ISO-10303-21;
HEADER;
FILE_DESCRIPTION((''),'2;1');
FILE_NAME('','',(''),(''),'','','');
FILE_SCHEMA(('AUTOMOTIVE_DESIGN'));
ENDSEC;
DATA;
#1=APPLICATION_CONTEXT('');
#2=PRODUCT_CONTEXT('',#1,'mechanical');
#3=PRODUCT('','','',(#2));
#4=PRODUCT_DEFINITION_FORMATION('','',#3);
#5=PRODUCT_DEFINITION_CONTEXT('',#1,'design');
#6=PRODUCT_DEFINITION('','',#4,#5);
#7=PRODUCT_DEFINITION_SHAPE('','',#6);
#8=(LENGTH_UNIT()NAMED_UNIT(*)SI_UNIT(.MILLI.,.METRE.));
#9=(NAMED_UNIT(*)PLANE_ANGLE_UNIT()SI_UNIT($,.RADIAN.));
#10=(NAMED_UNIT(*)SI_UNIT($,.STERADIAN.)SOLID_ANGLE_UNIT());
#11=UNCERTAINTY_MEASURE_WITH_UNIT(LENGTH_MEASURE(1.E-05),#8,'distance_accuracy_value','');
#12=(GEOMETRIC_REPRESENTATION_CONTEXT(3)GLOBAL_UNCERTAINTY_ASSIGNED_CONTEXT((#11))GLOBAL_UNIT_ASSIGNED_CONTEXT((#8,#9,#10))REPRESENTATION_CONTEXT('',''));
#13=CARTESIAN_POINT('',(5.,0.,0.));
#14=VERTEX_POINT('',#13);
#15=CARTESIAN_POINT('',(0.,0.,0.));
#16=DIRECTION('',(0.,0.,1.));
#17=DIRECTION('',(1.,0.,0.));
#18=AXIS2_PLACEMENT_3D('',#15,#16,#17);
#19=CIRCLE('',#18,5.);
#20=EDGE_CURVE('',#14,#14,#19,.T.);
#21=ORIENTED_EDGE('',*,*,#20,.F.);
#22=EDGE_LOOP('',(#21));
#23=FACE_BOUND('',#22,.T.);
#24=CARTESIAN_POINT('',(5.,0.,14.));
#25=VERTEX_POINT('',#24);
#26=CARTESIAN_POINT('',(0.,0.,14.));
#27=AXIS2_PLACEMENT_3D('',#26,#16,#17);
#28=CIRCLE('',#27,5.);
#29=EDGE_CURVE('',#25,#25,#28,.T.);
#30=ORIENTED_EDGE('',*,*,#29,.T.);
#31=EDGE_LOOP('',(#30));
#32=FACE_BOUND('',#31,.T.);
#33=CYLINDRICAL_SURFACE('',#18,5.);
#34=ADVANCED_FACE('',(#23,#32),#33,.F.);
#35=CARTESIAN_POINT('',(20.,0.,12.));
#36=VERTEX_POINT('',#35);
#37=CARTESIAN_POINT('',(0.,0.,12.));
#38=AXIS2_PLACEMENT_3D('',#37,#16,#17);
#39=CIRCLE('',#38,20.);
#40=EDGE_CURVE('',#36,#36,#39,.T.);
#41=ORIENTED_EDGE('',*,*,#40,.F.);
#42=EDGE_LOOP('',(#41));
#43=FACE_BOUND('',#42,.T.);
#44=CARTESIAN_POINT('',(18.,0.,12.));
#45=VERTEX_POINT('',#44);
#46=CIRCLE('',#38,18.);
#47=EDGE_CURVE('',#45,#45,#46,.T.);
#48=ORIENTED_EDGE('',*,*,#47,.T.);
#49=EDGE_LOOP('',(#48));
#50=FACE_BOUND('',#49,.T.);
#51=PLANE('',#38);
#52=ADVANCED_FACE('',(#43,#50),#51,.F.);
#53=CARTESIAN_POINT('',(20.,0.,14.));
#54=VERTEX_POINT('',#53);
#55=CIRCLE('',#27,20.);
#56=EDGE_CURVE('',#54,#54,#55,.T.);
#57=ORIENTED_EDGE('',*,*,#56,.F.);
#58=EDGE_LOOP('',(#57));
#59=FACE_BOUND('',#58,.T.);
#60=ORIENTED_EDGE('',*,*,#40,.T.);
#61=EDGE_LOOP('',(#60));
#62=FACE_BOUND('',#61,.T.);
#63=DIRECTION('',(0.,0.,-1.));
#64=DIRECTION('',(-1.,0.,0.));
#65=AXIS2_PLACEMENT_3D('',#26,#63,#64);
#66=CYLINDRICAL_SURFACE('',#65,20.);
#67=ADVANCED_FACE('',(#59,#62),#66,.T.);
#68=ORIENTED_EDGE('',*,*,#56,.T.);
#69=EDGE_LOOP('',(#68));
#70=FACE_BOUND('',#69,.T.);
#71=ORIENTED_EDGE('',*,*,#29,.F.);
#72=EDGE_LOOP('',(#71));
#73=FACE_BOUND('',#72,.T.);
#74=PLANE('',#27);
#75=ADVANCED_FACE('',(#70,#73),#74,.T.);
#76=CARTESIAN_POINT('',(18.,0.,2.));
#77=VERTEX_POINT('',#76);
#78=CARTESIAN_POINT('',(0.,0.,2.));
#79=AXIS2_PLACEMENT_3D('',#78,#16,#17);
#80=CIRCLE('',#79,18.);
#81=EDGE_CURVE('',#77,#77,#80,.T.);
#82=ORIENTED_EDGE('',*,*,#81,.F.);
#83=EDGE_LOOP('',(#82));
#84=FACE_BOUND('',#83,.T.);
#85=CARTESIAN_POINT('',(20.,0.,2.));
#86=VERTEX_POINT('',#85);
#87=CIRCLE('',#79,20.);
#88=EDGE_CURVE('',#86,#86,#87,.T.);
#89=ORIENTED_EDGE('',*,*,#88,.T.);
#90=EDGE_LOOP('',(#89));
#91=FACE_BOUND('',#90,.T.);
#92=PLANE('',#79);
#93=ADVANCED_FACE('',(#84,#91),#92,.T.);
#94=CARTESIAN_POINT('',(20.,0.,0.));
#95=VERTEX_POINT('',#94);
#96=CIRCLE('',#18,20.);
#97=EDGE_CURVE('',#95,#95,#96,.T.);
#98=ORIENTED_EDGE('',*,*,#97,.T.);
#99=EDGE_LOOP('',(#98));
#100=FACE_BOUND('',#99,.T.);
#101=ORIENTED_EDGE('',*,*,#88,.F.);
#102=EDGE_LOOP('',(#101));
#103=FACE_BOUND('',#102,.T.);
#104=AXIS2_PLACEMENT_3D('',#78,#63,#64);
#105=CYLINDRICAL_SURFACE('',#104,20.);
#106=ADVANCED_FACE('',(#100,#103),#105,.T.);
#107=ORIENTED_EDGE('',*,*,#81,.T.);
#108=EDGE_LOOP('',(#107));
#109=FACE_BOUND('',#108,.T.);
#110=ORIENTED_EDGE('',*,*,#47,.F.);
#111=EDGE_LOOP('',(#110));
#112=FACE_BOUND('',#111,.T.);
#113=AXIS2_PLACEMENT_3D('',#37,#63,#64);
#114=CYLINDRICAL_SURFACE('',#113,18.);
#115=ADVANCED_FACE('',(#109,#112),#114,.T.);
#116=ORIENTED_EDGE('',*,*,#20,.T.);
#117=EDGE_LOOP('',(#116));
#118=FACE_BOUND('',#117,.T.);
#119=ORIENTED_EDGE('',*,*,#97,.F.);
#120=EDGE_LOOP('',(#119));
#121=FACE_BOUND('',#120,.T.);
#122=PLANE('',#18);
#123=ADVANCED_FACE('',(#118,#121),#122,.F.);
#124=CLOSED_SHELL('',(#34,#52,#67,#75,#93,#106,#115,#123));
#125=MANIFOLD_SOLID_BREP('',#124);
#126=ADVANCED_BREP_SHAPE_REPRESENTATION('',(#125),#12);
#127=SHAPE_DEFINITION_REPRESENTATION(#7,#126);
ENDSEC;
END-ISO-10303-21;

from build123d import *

# Parameters (mm, degrees)
SKETCH_2_R          = 20
EXTRUDE_1_DEPTH     = 2
SKETCH_3_R          = 18
EXTRUDE_2_DEPTH     = 10
SKETCH_4_R          = 20
EXTRUDE_3_DEPTH     = 2
SKETCH_5_R          = 5
CUT_EXTRUDE_1_DEPTH = 32.559467676


with BuildPart() as part:
    # ｽｹｯﾁ2 → ﾎﾞｽ - 押し出し1 (new body)
    with BuildSketch(Plane.XY):
        Circle(SKETCH_2_R)
    extrude(amount=EXTRUDE_1_DEPTH)

    # ｽｹｯﾁ3 → ﾎﾞｽ - 押し出し2 (add)
    with BuildSketch(Plane.XY.offset(2)):
        Circle(SKETCH_3_R)
    extrude(amount=EXTRUDE_2_DEPTH)

    # ｽｹｯﾁ4 → ﾎﾞｽ - 押し出し3 (add)
    with BuildSketch(Plane.XY.offset(12)):
        Circle(SKETCH_4_R)
    extrude(amount=EXTRUDE_3_DEPTH)

    # ｽｹｯﾁ5 → ｶｯﾄ - 押し出し1 (cut, through all)
    with BuildSketch(Plane.XY.offset(14)):
        Circle(SKETCH_5_R)
    extrude(amount=-CUT_EXTRUDE_1_DEPTH, mode=Mode.SUBTRACT)


solid = part.part
